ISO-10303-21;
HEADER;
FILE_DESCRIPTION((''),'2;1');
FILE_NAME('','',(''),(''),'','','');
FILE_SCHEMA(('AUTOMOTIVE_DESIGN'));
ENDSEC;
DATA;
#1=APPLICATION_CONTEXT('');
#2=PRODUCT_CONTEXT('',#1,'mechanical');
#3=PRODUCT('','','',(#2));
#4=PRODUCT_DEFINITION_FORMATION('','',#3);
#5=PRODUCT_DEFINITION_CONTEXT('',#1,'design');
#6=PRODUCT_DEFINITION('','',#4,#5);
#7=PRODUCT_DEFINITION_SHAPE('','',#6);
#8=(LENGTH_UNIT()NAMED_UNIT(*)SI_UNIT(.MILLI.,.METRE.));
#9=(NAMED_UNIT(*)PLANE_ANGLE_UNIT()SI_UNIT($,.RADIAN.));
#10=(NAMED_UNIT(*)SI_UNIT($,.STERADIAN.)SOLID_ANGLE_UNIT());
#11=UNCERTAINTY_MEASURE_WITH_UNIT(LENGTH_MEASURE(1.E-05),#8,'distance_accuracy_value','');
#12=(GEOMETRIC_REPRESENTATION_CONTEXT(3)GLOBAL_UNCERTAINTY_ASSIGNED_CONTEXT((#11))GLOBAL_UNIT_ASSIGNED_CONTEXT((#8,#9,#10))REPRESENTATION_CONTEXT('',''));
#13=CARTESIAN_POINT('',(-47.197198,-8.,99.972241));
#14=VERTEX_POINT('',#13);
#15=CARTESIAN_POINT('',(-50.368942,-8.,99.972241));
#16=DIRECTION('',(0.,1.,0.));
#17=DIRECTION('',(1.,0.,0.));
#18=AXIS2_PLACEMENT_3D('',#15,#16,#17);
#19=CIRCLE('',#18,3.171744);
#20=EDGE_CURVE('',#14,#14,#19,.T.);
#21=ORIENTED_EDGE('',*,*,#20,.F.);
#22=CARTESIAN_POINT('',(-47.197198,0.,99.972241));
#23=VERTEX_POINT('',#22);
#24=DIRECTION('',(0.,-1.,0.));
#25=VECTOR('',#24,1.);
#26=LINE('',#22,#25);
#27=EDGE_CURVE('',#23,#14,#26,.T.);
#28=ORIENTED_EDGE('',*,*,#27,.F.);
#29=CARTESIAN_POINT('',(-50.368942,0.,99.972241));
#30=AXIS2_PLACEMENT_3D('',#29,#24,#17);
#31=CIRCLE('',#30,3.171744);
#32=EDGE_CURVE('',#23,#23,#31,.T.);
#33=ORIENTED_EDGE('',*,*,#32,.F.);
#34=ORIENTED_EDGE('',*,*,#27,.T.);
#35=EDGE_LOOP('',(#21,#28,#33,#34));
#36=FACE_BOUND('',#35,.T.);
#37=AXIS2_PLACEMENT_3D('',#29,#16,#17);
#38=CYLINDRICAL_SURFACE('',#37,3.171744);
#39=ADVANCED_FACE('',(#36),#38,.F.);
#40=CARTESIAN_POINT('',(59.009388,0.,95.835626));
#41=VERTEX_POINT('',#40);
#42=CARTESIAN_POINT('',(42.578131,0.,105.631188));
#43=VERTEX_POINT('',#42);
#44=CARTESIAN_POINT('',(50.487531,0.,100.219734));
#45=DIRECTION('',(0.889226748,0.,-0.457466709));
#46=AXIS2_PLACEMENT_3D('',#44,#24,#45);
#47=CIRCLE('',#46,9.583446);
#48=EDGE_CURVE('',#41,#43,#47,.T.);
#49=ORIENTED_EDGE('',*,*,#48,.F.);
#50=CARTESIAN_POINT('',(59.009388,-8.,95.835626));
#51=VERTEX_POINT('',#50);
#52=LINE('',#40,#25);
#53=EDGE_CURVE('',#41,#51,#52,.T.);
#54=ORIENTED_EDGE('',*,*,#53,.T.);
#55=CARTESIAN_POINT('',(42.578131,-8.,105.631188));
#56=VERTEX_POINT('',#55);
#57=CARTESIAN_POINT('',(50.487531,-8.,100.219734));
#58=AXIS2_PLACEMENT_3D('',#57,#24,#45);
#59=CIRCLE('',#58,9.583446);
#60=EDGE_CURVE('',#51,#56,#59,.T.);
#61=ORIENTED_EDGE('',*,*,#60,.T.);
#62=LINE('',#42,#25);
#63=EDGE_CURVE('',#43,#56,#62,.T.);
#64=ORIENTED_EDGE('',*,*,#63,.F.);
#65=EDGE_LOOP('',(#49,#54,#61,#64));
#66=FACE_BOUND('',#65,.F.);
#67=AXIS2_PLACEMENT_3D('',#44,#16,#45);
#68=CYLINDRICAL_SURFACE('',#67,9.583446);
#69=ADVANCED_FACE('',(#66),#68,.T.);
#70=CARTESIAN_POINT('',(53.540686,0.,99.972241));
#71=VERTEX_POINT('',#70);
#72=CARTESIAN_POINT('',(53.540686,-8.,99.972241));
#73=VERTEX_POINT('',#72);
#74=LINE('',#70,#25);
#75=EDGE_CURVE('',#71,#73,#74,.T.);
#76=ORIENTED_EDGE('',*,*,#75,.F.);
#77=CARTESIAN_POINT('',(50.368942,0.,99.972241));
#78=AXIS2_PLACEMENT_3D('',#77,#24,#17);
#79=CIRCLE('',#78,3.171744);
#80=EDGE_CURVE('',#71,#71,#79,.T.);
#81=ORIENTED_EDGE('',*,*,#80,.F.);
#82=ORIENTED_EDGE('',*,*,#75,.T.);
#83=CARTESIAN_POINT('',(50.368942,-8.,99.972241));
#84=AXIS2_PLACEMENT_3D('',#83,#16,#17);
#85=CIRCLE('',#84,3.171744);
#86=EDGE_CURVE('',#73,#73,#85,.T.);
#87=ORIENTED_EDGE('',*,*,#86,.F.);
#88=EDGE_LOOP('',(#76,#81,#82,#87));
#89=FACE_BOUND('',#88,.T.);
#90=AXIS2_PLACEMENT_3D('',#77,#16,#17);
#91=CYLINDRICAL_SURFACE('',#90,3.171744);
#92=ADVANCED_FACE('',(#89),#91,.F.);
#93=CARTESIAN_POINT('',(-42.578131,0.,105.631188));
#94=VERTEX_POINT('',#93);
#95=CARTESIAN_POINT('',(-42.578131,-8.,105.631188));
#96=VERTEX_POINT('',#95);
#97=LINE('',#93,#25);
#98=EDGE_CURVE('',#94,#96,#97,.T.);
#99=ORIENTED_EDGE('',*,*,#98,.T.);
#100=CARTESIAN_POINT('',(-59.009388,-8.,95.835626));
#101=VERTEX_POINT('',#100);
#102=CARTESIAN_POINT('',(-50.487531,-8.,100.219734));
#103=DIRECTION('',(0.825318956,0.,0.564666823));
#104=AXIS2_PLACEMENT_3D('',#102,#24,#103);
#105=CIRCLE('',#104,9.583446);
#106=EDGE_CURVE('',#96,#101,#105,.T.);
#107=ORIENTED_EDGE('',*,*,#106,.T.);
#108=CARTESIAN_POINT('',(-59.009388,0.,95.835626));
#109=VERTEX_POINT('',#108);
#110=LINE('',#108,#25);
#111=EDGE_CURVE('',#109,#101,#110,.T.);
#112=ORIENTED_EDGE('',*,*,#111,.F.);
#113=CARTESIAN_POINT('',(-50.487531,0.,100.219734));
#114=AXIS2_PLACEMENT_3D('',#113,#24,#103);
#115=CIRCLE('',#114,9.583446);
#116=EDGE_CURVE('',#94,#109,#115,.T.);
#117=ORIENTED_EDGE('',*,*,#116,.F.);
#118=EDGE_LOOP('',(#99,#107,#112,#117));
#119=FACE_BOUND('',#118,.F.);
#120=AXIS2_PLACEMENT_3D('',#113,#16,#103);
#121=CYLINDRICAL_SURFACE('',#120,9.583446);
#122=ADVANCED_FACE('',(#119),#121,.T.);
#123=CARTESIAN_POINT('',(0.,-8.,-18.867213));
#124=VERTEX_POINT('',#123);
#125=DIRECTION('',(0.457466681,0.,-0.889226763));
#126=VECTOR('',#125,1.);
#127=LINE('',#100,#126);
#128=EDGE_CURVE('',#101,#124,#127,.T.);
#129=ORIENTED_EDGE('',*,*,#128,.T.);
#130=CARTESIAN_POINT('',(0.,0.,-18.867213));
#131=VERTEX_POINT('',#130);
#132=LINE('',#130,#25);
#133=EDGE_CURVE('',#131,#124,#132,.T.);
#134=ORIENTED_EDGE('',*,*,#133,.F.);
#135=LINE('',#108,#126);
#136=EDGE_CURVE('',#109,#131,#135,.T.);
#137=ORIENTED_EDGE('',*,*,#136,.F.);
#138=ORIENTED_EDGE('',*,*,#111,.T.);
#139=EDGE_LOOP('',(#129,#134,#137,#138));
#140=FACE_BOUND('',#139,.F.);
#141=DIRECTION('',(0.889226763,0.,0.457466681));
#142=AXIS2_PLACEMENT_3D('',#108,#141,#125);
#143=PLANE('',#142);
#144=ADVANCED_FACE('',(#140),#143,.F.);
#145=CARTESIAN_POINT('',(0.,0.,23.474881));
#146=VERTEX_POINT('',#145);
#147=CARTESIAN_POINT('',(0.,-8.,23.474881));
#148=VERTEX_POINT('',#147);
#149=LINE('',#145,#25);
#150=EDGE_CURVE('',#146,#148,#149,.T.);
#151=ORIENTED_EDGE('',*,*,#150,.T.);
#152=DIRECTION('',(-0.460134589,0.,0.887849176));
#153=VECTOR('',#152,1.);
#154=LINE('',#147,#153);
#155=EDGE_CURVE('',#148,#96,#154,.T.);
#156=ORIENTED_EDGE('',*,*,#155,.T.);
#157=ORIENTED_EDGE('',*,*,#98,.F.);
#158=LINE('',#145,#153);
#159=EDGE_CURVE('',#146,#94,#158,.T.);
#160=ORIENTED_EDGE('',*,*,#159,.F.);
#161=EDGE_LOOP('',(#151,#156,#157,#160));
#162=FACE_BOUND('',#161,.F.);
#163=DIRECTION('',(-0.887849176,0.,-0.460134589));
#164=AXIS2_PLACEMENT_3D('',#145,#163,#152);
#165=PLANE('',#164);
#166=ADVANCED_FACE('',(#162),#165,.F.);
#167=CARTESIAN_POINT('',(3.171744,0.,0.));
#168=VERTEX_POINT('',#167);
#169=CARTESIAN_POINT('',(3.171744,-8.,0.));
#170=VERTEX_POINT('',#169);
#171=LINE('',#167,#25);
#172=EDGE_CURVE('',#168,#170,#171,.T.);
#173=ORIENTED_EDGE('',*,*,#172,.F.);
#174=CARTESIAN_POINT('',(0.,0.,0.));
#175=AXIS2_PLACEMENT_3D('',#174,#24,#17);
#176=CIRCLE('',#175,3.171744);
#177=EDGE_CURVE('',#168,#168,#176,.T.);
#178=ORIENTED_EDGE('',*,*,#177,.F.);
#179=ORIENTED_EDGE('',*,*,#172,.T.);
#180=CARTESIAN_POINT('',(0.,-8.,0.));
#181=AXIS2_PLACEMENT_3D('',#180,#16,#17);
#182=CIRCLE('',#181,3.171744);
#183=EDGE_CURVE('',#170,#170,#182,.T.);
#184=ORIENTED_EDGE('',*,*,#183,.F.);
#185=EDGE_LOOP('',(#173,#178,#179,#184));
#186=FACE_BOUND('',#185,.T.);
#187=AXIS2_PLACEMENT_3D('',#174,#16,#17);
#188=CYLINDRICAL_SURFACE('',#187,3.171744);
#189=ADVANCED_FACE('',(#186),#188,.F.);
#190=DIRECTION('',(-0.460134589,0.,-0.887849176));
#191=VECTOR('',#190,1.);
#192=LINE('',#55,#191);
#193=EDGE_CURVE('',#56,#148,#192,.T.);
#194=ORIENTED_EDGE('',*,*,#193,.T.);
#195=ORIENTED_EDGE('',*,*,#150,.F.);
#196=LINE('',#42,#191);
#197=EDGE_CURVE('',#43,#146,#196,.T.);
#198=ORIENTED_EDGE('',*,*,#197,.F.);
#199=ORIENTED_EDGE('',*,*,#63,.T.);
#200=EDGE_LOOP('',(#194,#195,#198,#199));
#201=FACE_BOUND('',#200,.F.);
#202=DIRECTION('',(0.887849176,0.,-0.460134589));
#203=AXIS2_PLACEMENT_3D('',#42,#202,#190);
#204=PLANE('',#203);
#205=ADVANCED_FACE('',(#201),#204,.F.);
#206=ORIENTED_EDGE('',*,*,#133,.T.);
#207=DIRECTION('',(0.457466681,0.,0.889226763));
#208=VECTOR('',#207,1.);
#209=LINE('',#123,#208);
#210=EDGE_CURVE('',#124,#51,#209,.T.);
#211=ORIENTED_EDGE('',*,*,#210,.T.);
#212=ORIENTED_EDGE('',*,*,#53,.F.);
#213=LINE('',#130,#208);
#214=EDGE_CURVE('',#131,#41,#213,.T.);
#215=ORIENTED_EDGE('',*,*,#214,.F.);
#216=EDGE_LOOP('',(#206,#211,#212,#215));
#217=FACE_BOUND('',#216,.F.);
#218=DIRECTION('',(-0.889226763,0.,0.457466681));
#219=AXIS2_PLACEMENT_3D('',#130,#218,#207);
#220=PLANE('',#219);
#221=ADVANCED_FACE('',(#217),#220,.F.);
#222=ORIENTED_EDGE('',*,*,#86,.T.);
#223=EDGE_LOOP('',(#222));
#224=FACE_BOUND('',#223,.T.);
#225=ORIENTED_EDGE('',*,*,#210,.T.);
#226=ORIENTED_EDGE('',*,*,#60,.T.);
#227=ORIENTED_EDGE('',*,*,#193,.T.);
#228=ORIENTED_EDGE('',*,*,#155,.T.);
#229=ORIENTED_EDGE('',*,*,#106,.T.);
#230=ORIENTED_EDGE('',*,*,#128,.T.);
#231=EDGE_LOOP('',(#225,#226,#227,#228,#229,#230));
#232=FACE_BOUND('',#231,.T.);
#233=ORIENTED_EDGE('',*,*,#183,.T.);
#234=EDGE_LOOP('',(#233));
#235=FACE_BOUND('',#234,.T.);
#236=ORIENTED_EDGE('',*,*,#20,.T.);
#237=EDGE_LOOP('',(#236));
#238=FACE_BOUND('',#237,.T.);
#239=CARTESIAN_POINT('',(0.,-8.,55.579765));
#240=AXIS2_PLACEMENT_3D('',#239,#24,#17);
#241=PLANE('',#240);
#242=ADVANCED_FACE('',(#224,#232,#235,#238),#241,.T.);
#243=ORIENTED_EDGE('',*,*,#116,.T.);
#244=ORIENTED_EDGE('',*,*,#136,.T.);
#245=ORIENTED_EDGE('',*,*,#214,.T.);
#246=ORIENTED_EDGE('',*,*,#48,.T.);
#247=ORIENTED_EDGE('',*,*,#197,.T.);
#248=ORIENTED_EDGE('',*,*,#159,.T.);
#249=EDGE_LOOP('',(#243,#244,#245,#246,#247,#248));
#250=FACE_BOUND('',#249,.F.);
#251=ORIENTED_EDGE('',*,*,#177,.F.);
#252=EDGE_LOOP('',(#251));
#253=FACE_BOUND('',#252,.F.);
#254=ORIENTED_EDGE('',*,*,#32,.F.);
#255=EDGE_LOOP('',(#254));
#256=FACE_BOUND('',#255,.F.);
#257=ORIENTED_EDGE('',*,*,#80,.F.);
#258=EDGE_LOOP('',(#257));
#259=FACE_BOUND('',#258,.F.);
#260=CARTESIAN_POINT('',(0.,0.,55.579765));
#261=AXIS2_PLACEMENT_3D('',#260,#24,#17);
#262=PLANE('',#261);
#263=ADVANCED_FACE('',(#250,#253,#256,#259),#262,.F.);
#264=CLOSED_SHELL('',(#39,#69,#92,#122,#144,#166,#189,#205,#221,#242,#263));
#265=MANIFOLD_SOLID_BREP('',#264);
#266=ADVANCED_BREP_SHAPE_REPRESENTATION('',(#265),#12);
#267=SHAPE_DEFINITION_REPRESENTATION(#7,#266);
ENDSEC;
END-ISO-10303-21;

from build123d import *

# Parameters (mm, degrees)
F4_DEPTH = 8
F2_R     = 3.171744
F5_DEPTH = 25
F0_R     = 3.171744
F6_DEPTH = 25


with BuildPart() as f4:
    # F3 (on Front) → F4 (new body)
    with BuildSketch(Plane.XZ):
        with BuildLine():
            Line((-59.009388, 95.835626), (0, -18.867213))
            Line((0, -18.867213), (59.009388, 95.835626))
            ThreePointArc((59.009388, 95.835626), (55.394876, 108.451405), (42.578131, 105.631188))
            Line((42.578131, 105.631188), (0, 23.474881))
            Line((0, 23.474881), (-42.578131, 105.631188))
            ThreePointArc((-42.578131, 105.631188), (-55.394876, 108.451405), (-59.009388, 95.835626))
        make_face()
    extrude(amount=F4_DEPTH)

    # F2 (on Front) → F5 (cut)
    with BuildSketch(Plane.XZ):
        with Locations((-50.368942, 99.972241)):
            Circle(F2_R)
        with Locations((50.368942, 99.972241)):
            Circle(F2_R)
    extrude(amount=F5_DEPTH, mode=Mode.SUBTRACT)

    # F0 (on Front) → F6 (cut)
    with BuildSketch(Plane.XZ):
        Circle(F0_R)
    extrude(amount=F6_DEPTH, mode=Mode.SUBTRACT)


solid = f4.part
